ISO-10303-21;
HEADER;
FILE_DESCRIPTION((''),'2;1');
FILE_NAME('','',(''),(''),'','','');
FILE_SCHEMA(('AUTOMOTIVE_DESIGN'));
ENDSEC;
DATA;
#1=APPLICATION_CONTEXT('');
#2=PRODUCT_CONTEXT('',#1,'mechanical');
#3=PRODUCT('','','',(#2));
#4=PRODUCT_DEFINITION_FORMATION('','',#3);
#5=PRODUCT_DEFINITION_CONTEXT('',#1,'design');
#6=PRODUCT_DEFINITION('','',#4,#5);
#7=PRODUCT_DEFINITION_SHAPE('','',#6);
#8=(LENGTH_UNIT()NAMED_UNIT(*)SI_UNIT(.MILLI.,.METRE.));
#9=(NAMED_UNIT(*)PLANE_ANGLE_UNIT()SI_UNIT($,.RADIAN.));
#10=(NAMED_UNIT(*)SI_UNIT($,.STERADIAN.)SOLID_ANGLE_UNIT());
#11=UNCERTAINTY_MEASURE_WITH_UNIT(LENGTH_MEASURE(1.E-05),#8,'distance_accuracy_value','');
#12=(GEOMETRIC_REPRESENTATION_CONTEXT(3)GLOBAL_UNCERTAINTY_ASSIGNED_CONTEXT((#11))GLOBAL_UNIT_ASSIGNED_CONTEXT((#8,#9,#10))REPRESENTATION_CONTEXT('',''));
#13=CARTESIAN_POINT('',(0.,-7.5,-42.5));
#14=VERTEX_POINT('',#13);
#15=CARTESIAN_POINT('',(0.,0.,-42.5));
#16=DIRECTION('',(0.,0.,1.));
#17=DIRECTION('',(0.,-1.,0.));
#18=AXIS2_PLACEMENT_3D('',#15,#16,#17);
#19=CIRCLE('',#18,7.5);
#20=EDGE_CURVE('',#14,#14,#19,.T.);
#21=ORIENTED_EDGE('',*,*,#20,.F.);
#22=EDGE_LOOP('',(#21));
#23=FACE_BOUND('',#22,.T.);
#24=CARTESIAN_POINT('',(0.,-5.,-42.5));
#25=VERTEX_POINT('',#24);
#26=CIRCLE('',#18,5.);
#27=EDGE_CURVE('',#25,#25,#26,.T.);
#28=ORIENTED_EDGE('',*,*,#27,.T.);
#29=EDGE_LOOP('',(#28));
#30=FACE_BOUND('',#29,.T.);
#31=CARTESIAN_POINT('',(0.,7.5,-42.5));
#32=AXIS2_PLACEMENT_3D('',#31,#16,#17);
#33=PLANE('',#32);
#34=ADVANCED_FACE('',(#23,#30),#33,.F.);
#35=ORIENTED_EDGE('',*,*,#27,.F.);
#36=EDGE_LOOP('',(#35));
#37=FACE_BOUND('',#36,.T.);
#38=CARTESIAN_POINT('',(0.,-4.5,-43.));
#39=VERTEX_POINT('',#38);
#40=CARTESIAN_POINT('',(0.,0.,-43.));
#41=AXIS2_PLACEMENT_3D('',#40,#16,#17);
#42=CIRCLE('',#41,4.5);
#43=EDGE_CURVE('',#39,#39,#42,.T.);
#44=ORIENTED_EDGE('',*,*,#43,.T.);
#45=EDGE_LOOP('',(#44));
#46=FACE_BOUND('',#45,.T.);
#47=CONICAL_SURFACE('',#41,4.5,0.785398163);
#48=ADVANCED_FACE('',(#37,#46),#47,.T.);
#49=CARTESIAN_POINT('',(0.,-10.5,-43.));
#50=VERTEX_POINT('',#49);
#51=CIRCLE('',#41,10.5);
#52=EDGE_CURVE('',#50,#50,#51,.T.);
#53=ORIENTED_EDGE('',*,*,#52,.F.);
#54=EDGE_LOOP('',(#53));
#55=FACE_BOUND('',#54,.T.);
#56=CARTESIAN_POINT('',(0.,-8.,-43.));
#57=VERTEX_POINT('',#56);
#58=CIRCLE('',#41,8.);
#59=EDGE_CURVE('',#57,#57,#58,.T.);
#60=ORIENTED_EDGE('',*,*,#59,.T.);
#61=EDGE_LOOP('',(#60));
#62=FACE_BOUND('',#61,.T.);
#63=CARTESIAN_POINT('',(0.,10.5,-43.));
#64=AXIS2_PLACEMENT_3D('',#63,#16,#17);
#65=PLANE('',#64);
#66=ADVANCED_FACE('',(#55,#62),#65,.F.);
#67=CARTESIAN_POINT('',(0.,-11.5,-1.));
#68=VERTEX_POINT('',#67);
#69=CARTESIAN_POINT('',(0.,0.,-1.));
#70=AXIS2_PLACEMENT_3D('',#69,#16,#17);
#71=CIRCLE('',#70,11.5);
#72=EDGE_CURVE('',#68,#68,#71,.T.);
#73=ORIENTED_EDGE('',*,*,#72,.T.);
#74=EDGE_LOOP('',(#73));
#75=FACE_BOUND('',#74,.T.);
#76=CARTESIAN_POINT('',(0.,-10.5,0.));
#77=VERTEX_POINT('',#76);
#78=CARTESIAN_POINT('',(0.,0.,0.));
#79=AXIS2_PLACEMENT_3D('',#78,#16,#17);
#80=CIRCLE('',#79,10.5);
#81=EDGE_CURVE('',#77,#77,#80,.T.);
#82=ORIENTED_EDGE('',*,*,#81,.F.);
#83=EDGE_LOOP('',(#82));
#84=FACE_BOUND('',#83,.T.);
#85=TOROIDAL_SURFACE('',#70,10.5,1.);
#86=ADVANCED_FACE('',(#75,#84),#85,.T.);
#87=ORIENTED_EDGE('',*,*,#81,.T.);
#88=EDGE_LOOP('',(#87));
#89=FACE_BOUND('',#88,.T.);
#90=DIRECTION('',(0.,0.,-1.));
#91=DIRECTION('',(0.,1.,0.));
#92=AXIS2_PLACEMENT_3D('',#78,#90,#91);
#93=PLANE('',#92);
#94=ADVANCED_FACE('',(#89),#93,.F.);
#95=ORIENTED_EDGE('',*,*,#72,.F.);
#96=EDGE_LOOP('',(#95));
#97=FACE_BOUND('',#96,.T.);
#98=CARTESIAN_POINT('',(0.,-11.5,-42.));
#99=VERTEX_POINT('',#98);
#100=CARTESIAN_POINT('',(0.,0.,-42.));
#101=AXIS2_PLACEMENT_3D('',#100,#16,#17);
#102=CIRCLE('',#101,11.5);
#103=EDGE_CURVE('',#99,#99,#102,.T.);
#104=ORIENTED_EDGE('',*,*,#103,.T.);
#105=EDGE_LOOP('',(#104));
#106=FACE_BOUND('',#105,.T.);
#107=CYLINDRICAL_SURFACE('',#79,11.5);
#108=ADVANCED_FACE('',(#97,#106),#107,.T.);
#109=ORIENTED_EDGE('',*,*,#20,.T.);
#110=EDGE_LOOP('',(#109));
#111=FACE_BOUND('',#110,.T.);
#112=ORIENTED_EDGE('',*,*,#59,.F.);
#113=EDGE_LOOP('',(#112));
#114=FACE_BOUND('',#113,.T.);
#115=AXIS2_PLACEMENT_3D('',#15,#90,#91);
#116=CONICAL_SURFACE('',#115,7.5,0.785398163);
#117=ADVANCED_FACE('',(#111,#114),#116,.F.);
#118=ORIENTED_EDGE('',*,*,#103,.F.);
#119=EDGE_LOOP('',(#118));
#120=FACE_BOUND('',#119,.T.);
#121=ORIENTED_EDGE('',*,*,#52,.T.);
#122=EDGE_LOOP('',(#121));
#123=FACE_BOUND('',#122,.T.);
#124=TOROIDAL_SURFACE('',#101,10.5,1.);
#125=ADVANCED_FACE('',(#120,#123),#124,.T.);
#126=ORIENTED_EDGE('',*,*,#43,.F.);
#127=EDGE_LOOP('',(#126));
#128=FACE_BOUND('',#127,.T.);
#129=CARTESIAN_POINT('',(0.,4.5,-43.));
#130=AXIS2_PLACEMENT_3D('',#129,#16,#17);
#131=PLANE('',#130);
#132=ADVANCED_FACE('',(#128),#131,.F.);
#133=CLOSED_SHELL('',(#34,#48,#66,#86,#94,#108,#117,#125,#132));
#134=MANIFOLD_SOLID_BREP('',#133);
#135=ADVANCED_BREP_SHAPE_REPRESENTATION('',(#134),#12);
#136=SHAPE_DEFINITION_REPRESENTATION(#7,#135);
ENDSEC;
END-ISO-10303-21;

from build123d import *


with BuildPart() as part:
    # Skizze1 → Rotation1 (revolve)
    with BuildSketch(Plane(origin=(0, 0, 0), x_dir=(0, 0, -1), z_dir=(1, 0, 0))):
        with BuildLine():
            Line((0, 0), (0, 10.5))
            ThreePointArc((0, 10.5), (0.292893219, 11.207106781), (1, 11.5))
            Line((1, 11.5), (42, 11.5))
            ThreePointArc((42, 11.5), (42.707106781, 11.207106781), (43, 10.5))
            Line((43, 10.5), (43, 8))
            Line((43, 8), (42.5, 7.5))
            Line((42.5, 7.5), (42.5, 5))
            Line((42.5, 5), (43, 4.5))
            Line((43, 4.5), (43, 0))
            Line((43, 0), (0, 0))
        make_face()
    revolve(axis=Axis((0, 0, 0), (0, 0, -1)))


solid = part.part
